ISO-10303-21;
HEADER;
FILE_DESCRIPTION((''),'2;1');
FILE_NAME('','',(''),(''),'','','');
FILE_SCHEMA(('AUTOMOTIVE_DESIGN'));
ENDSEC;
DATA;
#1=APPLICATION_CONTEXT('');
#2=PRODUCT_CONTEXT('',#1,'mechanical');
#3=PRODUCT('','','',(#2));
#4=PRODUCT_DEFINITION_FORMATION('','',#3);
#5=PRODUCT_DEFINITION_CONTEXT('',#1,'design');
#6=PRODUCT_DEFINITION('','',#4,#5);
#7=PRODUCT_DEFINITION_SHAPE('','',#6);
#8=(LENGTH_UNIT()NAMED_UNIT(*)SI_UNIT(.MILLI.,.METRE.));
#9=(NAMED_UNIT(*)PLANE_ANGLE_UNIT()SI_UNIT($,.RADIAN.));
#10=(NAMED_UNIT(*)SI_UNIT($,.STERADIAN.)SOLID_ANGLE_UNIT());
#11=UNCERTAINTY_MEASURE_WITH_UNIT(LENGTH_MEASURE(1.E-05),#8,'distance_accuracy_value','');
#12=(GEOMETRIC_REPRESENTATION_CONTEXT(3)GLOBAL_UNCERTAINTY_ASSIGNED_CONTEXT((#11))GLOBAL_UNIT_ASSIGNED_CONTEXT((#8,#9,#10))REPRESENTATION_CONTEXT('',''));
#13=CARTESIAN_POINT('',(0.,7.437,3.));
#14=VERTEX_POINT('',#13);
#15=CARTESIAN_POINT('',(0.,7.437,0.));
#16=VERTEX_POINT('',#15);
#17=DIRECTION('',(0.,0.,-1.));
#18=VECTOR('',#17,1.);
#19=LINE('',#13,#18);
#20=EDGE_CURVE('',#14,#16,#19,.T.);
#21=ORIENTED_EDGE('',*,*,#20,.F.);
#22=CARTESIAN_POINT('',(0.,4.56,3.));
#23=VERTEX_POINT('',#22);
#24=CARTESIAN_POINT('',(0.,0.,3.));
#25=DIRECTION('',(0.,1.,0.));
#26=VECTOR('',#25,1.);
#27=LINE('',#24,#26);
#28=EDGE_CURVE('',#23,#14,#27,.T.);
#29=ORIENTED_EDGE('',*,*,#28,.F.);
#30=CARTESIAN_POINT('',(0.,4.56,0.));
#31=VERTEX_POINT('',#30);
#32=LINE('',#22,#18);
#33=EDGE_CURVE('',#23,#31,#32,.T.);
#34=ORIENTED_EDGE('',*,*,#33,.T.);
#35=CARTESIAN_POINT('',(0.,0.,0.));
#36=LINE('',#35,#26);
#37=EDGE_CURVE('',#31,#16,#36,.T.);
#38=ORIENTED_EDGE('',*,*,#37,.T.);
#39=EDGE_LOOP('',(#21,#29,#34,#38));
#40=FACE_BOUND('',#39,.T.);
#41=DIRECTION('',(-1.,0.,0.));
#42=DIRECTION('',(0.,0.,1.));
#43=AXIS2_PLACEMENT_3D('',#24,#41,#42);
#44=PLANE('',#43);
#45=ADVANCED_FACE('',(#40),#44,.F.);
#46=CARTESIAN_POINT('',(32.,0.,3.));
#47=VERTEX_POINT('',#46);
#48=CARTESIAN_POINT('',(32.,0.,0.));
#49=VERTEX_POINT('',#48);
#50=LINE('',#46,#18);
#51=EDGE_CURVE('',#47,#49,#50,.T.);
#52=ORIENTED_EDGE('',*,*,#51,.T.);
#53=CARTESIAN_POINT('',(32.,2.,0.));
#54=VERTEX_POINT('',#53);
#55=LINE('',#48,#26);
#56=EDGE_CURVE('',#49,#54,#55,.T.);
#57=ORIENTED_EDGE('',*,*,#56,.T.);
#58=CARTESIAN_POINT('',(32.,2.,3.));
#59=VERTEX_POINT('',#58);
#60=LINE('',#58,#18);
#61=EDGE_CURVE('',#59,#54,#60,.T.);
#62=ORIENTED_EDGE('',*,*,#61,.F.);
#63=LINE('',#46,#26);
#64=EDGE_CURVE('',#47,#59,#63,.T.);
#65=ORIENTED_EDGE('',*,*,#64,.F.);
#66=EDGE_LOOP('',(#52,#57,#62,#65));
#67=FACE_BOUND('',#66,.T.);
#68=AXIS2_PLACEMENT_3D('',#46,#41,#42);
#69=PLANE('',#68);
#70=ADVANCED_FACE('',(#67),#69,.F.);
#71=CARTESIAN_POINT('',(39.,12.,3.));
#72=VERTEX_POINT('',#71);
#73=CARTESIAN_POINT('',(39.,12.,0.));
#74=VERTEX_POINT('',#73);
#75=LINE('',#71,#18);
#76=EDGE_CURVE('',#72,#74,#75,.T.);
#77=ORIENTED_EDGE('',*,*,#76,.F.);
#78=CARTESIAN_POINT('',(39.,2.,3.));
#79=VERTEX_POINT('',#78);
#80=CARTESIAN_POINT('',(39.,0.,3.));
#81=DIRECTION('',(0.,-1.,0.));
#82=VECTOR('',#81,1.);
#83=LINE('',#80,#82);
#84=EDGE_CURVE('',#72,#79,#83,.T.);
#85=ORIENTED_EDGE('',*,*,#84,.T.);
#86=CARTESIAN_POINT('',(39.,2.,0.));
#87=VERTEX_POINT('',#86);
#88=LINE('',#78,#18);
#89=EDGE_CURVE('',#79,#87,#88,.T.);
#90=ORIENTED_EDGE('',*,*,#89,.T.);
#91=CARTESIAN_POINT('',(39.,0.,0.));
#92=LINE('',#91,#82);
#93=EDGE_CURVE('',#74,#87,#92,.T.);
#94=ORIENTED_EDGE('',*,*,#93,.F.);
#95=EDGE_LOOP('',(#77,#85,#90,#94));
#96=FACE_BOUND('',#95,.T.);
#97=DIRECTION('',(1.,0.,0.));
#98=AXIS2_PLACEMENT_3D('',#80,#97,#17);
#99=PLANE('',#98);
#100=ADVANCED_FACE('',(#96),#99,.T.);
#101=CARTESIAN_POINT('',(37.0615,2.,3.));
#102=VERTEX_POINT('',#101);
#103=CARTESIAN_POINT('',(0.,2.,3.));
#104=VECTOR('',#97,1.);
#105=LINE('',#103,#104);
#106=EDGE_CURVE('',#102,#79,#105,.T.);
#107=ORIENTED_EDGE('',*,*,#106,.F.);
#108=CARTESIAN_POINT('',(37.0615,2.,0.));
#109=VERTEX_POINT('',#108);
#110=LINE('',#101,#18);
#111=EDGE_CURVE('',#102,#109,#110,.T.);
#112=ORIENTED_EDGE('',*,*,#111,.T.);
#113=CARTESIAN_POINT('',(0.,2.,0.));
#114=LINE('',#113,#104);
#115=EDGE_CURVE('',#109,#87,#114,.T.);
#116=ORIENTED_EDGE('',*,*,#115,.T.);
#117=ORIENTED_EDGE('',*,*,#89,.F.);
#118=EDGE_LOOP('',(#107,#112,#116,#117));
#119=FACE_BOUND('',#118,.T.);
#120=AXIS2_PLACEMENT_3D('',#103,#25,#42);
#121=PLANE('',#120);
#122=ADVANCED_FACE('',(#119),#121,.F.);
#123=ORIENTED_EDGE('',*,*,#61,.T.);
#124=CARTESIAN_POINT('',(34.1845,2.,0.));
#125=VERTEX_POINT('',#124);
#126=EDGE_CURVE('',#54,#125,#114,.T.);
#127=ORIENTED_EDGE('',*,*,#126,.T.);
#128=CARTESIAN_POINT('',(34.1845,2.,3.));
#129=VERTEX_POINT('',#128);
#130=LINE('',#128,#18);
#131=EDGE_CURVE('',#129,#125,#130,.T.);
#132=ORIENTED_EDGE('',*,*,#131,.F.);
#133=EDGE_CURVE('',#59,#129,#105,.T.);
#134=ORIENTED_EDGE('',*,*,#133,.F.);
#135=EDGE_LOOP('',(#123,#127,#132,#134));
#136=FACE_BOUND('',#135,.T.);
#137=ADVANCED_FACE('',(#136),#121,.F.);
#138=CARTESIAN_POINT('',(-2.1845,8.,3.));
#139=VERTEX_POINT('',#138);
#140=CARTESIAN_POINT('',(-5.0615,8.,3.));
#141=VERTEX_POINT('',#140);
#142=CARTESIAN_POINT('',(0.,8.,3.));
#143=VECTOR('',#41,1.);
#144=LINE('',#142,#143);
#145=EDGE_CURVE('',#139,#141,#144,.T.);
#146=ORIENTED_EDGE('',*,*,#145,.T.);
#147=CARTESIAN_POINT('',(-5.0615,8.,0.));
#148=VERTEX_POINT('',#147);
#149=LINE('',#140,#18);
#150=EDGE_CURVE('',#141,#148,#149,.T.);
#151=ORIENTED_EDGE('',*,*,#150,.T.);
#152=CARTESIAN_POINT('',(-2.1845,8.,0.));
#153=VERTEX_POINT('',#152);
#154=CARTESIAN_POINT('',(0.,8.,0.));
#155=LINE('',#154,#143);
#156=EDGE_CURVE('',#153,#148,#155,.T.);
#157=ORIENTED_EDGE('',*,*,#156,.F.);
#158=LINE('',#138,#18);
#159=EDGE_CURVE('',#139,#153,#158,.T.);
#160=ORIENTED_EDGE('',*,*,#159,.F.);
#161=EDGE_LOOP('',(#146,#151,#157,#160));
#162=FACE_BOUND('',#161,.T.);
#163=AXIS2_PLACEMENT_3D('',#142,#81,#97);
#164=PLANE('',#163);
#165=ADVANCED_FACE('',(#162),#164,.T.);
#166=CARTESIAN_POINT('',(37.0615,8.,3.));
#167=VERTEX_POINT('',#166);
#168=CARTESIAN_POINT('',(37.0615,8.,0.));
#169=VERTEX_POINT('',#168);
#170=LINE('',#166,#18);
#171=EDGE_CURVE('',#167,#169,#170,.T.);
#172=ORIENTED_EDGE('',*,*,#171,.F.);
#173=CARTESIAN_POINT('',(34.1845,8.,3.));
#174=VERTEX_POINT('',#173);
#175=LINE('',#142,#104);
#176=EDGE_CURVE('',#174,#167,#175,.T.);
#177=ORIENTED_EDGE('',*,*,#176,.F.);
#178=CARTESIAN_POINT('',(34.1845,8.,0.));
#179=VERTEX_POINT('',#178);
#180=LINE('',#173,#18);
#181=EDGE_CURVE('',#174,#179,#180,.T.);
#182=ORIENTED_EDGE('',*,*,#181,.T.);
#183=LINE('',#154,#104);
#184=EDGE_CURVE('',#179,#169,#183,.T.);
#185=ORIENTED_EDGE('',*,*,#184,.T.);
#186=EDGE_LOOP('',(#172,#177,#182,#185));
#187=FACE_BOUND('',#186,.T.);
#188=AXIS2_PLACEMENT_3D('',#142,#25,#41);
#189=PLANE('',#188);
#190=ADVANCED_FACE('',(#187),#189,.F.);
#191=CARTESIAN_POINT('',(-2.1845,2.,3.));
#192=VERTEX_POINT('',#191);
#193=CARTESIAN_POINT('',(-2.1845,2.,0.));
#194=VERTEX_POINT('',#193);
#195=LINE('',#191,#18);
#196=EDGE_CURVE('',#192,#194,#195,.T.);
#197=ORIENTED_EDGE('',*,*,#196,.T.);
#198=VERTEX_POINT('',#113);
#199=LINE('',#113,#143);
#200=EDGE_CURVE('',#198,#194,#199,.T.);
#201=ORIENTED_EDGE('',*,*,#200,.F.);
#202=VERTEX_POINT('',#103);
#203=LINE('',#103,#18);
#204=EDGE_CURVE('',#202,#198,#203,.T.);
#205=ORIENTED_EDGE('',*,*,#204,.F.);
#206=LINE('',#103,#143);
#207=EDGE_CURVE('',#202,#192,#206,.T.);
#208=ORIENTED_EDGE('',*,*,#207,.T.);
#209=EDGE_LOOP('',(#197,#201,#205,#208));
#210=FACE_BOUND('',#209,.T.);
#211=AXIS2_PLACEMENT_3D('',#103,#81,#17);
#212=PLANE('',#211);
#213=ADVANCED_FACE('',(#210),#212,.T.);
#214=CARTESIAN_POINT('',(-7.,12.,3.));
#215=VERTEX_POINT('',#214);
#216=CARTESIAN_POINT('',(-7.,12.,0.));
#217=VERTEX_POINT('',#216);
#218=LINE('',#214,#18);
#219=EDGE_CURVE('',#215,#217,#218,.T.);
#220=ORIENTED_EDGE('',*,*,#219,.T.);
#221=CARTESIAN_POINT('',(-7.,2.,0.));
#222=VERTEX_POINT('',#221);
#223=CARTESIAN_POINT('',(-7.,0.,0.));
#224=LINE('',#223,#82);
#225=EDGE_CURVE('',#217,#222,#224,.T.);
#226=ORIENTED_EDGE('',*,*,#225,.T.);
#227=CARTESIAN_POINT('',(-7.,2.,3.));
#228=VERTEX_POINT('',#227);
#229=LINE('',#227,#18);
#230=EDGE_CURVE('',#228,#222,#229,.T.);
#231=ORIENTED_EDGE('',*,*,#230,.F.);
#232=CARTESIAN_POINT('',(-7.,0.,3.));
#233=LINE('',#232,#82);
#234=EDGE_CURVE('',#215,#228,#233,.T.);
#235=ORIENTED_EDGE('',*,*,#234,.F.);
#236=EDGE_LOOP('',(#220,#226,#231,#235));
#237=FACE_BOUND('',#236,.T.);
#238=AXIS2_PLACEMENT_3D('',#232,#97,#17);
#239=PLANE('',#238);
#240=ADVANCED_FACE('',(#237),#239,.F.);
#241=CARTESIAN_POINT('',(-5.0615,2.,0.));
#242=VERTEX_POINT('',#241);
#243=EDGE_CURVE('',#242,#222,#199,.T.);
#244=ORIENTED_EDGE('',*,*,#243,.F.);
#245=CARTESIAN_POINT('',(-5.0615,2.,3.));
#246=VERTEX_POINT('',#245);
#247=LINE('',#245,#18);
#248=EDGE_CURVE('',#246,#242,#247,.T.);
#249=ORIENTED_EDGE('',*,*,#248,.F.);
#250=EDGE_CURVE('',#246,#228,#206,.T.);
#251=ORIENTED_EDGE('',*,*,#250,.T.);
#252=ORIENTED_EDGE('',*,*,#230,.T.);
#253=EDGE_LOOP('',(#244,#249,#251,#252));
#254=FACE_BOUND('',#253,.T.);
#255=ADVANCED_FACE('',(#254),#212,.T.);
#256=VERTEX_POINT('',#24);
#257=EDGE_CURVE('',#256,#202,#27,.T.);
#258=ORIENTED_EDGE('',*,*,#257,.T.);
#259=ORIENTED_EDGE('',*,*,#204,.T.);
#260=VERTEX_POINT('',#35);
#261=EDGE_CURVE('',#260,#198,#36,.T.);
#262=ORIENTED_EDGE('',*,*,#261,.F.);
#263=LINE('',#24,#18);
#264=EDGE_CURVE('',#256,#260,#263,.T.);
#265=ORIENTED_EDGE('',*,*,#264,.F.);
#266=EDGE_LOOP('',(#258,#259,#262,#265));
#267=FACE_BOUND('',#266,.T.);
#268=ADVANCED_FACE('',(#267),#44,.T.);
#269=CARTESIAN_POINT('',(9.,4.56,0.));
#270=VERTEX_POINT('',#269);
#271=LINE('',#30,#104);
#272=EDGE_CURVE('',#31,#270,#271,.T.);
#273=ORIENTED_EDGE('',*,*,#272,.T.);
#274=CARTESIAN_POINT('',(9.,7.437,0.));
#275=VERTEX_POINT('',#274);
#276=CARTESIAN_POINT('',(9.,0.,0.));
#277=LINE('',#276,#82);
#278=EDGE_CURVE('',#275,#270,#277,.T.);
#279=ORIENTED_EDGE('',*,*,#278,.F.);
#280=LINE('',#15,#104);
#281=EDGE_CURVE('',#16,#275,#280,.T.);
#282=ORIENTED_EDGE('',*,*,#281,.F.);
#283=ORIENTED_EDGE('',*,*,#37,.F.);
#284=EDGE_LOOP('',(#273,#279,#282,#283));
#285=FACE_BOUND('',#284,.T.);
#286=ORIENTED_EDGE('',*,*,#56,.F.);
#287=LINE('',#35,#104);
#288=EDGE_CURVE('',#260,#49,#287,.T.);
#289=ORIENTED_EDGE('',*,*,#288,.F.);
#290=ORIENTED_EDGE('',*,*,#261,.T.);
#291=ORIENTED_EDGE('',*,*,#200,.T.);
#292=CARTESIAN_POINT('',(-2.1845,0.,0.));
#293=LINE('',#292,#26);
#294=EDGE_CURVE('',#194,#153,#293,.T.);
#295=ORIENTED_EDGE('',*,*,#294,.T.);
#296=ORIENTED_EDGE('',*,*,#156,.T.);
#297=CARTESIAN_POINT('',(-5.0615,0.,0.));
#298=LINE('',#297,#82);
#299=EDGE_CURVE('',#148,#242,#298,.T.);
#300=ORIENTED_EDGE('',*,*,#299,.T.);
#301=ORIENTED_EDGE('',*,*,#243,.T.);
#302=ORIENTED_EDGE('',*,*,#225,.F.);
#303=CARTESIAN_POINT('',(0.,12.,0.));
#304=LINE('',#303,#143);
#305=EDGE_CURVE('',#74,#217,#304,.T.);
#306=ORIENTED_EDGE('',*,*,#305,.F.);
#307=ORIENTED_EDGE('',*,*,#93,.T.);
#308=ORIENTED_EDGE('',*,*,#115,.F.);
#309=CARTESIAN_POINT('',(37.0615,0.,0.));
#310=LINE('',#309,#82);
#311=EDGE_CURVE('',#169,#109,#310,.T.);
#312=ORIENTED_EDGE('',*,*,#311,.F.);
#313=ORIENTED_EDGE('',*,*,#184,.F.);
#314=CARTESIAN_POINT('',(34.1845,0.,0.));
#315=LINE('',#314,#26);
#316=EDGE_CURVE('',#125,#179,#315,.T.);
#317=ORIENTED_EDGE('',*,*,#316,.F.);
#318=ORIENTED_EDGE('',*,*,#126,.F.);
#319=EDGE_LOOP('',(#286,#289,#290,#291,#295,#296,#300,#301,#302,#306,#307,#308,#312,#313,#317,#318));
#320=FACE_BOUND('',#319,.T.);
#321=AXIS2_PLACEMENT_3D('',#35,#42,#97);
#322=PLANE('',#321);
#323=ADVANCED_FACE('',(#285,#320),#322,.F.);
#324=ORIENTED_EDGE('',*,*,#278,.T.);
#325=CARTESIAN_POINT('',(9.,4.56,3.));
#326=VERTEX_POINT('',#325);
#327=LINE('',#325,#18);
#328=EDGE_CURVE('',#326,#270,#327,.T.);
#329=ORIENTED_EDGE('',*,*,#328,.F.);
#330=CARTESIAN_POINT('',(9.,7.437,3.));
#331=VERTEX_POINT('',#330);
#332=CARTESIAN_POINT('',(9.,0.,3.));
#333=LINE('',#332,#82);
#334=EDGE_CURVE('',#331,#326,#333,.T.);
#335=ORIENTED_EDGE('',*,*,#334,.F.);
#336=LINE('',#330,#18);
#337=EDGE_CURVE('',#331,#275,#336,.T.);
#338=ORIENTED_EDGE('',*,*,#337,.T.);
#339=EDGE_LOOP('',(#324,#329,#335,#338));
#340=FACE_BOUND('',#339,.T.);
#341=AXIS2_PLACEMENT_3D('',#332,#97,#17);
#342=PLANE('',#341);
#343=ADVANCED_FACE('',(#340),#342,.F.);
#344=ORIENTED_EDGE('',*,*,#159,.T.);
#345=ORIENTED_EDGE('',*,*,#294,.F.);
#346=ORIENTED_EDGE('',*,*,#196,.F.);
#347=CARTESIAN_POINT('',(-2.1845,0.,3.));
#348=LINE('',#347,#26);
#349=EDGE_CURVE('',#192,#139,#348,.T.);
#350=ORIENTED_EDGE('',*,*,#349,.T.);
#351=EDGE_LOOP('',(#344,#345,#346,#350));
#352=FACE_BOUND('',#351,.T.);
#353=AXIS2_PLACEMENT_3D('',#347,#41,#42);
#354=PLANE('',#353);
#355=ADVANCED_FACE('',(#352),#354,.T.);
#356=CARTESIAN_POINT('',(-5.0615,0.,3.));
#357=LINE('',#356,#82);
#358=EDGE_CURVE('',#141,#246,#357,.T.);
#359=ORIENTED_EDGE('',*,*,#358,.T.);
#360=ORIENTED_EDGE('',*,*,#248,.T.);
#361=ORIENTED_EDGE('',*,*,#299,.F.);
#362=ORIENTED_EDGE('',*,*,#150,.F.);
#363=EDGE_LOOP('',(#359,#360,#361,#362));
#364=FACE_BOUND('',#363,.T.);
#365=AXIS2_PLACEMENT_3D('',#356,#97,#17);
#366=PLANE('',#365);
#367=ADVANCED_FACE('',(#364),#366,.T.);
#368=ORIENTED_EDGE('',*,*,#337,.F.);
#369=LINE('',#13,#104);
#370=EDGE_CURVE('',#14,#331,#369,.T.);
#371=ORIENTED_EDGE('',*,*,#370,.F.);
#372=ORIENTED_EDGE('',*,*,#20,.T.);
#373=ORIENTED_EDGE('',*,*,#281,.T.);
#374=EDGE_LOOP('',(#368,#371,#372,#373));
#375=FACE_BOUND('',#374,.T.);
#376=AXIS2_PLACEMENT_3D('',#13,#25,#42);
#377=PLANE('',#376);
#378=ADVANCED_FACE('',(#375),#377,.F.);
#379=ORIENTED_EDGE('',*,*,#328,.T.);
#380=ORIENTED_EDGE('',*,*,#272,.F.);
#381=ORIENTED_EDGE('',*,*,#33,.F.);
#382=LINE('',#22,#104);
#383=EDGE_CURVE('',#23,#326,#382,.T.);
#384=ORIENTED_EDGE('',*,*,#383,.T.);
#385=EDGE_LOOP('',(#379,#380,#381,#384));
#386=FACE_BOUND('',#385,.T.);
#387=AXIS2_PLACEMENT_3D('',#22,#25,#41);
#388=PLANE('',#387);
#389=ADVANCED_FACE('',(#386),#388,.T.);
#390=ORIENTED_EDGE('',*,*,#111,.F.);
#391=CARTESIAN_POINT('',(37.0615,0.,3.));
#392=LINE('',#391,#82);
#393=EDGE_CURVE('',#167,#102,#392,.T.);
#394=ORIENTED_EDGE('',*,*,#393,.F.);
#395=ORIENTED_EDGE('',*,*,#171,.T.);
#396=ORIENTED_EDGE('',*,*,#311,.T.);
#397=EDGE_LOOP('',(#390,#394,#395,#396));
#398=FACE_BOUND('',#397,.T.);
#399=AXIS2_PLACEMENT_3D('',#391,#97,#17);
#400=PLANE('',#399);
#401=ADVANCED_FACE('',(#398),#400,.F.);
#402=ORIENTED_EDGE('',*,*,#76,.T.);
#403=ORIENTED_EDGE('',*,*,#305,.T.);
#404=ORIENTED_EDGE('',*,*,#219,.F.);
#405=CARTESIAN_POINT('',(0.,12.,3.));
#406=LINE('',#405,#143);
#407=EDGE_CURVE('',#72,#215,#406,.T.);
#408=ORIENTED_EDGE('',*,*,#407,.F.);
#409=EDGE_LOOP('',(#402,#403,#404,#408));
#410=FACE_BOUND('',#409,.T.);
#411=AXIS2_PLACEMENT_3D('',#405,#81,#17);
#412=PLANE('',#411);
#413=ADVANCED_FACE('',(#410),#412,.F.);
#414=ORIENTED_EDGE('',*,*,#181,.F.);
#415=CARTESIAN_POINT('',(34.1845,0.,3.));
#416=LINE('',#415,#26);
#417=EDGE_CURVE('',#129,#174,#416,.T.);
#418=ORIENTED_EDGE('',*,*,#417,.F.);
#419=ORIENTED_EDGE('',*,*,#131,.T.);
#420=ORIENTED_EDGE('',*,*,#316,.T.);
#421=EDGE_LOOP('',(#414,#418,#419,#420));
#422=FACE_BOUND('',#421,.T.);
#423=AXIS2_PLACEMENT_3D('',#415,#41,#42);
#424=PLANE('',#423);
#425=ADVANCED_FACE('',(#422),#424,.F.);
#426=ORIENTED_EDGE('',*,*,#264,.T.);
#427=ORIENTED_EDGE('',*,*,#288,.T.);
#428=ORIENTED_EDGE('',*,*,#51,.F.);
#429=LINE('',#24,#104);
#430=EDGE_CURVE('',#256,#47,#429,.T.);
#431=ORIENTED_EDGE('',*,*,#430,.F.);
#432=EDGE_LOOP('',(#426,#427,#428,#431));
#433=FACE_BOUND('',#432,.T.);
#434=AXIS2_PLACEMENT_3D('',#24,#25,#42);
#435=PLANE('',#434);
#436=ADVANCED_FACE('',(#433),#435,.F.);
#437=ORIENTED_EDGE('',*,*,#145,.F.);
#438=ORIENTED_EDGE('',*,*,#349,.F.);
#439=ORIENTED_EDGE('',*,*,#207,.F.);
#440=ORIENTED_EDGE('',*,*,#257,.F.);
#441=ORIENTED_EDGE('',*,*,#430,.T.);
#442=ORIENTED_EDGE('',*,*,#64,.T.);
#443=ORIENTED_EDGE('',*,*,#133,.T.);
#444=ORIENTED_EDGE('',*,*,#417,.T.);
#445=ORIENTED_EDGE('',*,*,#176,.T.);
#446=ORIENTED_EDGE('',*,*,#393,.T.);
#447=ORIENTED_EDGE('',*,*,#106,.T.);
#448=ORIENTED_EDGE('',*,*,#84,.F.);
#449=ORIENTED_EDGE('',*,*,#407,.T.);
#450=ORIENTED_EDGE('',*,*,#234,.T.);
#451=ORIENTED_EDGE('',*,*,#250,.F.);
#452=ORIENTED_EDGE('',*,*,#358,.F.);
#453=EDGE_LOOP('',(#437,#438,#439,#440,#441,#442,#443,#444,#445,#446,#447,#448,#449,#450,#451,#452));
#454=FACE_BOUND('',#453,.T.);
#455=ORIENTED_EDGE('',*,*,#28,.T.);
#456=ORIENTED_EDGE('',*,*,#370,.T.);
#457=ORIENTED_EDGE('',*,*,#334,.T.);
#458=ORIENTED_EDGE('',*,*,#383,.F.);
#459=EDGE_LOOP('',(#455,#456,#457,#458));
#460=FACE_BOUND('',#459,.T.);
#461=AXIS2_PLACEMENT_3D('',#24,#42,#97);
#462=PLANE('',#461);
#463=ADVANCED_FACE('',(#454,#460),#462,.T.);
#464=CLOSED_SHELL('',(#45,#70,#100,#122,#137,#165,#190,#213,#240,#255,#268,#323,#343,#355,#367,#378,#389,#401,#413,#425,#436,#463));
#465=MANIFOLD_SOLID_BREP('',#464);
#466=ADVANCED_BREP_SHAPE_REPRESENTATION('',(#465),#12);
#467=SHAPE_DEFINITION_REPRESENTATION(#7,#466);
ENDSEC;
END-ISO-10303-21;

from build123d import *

# Parameters (mm, degrees)
CROQUIS1_W              = 9
CROQUIS1_H              = 2.877
SALIENTE_EXTRUIR1_DEPTH = 3


with BuildPart() as part:
    # Croquis1 → Saliente-Extruir1 (new body)
    with BuildSketch(Plane.XY):
        Polygon((0, 2), (0, 0), (32, 0), (32, 2), (34.1845, 2), (34.1845, 8), (37.0615, 8), (37.0615, 2), (39, 2), (39, 12), (-7, 12), (-7, 2), (-5.0615, 2), (-5.0615, 8), (-2.1845, 8), (-2.1845, 2), align=None)
        with Locations((4.5, 5.9985)):
            Rectangle(CROQUIS1_W, CROQUIS1_H, mode=Mode.SUBTRACT)
    extrude(amount=SALIENTE_EXTRUIR1_DEPTH)


solid = part.part
